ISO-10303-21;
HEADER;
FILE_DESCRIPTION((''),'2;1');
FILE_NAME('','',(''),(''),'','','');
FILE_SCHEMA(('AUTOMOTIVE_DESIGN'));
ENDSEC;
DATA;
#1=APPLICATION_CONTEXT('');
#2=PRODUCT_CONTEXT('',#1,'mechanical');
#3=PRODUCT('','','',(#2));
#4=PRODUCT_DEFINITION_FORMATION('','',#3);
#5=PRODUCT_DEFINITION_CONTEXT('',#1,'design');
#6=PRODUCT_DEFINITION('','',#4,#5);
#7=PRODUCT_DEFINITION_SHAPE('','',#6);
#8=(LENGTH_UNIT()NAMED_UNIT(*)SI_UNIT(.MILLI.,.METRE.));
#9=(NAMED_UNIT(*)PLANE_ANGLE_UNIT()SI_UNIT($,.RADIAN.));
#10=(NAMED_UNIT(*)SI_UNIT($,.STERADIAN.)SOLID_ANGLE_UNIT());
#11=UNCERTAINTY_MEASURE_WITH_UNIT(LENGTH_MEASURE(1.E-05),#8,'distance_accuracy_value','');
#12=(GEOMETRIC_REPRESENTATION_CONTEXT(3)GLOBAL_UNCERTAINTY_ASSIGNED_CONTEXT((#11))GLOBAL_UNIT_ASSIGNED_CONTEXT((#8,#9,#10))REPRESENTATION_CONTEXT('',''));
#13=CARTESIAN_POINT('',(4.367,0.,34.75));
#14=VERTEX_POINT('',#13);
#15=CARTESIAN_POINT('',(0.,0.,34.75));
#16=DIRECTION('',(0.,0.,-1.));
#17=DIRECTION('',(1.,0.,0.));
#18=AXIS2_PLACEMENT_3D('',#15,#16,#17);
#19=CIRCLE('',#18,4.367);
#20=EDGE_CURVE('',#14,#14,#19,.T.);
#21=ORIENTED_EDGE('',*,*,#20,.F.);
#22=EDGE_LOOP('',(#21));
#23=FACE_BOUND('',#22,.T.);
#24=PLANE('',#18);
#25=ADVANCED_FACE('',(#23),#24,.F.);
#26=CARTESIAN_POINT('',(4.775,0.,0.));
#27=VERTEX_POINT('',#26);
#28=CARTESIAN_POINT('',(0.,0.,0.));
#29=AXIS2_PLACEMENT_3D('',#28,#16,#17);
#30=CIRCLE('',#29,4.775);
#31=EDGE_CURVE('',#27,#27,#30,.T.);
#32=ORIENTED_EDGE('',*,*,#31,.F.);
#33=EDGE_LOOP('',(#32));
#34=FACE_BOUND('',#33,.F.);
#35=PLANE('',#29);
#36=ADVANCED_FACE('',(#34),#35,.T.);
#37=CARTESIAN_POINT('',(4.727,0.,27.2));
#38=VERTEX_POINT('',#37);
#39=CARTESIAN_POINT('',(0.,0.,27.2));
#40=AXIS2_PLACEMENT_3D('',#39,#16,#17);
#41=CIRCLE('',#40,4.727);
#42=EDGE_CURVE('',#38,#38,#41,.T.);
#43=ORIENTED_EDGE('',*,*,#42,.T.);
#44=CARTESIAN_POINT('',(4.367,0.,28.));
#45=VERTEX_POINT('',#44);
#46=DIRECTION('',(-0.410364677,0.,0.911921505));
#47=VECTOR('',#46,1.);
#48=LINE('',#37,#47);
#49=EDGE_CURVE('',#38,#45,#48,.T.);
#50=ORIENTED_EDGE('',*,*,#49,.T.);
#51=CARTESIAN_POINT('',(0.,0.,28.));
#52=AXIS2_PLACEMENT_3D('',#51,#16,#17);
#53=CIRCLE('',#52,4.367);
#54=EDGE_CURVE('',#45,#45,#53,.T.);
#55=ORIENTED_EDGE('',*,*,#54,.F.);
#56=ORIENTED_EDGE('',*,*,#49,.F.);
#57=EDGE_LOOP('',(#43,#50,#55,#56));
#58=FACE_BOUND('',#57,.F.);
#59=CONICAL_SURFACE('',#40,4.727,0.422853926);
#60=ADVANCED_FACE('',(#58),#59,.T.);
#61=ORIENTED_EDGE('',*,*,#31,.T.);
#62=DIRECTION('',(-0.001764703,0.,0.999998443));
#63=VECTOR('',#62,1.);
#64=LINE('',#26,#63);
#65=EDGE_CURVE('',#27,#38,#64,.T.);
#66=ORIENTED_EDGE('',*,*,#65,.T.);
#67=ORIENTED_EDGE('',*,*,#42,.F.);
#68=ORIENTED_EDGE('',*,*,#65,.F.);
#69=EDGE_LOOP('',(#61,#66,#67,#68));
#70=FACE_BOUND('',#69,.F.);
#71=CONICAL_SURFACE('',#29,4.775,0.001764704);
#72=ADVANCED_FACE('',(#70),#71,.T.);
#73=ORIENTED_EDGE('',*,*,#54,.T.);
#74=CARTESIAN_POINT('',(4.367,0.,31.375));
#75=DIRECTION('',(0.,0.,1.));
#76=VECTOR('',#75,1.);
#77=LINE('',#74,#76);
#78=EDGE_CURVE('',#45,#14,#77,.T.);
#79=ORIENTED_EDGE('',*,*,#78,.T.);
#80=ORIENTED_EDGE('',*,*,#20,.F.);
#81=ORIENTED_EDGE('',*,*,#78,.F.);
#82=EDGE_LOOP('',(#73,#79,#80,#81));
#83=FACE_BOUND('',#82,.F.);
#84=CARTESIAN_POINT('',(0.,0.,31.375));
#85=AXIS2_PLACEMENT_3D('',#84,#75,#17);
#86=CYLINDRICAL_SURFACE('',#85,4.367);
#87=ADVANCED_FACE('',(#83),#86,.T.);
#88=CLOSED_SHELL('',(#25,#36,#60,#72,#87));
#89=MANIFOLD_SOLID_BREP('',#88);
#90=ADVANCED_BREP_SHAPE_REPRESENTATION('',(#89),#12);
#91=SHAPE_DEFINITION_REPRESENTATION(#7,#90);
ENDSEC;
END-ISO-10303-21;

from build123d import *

# Parameters (mm, degrees)
F0_W = 4.367
F0_H = 6.75


with BuildPart() as f1:
    # F0 (on Front) → F1 (revolve)
    with BuildSketch(Plane.XZ):
        Polygon((0, 28), (0, 27.2), (4.727, 27.2), (4.367, 28), align=None)
        with Locations((2.1835, 31.375)):
            Rectangle(F0_W, F0_H)
        Polygon((0, 27.2), (0, 0), (4.775, 0), (4.727, 27.2), align=None)
    revolve(axis=Axis((0, 0, 17.375), (0, 0, -1)))


solid = f1.part
